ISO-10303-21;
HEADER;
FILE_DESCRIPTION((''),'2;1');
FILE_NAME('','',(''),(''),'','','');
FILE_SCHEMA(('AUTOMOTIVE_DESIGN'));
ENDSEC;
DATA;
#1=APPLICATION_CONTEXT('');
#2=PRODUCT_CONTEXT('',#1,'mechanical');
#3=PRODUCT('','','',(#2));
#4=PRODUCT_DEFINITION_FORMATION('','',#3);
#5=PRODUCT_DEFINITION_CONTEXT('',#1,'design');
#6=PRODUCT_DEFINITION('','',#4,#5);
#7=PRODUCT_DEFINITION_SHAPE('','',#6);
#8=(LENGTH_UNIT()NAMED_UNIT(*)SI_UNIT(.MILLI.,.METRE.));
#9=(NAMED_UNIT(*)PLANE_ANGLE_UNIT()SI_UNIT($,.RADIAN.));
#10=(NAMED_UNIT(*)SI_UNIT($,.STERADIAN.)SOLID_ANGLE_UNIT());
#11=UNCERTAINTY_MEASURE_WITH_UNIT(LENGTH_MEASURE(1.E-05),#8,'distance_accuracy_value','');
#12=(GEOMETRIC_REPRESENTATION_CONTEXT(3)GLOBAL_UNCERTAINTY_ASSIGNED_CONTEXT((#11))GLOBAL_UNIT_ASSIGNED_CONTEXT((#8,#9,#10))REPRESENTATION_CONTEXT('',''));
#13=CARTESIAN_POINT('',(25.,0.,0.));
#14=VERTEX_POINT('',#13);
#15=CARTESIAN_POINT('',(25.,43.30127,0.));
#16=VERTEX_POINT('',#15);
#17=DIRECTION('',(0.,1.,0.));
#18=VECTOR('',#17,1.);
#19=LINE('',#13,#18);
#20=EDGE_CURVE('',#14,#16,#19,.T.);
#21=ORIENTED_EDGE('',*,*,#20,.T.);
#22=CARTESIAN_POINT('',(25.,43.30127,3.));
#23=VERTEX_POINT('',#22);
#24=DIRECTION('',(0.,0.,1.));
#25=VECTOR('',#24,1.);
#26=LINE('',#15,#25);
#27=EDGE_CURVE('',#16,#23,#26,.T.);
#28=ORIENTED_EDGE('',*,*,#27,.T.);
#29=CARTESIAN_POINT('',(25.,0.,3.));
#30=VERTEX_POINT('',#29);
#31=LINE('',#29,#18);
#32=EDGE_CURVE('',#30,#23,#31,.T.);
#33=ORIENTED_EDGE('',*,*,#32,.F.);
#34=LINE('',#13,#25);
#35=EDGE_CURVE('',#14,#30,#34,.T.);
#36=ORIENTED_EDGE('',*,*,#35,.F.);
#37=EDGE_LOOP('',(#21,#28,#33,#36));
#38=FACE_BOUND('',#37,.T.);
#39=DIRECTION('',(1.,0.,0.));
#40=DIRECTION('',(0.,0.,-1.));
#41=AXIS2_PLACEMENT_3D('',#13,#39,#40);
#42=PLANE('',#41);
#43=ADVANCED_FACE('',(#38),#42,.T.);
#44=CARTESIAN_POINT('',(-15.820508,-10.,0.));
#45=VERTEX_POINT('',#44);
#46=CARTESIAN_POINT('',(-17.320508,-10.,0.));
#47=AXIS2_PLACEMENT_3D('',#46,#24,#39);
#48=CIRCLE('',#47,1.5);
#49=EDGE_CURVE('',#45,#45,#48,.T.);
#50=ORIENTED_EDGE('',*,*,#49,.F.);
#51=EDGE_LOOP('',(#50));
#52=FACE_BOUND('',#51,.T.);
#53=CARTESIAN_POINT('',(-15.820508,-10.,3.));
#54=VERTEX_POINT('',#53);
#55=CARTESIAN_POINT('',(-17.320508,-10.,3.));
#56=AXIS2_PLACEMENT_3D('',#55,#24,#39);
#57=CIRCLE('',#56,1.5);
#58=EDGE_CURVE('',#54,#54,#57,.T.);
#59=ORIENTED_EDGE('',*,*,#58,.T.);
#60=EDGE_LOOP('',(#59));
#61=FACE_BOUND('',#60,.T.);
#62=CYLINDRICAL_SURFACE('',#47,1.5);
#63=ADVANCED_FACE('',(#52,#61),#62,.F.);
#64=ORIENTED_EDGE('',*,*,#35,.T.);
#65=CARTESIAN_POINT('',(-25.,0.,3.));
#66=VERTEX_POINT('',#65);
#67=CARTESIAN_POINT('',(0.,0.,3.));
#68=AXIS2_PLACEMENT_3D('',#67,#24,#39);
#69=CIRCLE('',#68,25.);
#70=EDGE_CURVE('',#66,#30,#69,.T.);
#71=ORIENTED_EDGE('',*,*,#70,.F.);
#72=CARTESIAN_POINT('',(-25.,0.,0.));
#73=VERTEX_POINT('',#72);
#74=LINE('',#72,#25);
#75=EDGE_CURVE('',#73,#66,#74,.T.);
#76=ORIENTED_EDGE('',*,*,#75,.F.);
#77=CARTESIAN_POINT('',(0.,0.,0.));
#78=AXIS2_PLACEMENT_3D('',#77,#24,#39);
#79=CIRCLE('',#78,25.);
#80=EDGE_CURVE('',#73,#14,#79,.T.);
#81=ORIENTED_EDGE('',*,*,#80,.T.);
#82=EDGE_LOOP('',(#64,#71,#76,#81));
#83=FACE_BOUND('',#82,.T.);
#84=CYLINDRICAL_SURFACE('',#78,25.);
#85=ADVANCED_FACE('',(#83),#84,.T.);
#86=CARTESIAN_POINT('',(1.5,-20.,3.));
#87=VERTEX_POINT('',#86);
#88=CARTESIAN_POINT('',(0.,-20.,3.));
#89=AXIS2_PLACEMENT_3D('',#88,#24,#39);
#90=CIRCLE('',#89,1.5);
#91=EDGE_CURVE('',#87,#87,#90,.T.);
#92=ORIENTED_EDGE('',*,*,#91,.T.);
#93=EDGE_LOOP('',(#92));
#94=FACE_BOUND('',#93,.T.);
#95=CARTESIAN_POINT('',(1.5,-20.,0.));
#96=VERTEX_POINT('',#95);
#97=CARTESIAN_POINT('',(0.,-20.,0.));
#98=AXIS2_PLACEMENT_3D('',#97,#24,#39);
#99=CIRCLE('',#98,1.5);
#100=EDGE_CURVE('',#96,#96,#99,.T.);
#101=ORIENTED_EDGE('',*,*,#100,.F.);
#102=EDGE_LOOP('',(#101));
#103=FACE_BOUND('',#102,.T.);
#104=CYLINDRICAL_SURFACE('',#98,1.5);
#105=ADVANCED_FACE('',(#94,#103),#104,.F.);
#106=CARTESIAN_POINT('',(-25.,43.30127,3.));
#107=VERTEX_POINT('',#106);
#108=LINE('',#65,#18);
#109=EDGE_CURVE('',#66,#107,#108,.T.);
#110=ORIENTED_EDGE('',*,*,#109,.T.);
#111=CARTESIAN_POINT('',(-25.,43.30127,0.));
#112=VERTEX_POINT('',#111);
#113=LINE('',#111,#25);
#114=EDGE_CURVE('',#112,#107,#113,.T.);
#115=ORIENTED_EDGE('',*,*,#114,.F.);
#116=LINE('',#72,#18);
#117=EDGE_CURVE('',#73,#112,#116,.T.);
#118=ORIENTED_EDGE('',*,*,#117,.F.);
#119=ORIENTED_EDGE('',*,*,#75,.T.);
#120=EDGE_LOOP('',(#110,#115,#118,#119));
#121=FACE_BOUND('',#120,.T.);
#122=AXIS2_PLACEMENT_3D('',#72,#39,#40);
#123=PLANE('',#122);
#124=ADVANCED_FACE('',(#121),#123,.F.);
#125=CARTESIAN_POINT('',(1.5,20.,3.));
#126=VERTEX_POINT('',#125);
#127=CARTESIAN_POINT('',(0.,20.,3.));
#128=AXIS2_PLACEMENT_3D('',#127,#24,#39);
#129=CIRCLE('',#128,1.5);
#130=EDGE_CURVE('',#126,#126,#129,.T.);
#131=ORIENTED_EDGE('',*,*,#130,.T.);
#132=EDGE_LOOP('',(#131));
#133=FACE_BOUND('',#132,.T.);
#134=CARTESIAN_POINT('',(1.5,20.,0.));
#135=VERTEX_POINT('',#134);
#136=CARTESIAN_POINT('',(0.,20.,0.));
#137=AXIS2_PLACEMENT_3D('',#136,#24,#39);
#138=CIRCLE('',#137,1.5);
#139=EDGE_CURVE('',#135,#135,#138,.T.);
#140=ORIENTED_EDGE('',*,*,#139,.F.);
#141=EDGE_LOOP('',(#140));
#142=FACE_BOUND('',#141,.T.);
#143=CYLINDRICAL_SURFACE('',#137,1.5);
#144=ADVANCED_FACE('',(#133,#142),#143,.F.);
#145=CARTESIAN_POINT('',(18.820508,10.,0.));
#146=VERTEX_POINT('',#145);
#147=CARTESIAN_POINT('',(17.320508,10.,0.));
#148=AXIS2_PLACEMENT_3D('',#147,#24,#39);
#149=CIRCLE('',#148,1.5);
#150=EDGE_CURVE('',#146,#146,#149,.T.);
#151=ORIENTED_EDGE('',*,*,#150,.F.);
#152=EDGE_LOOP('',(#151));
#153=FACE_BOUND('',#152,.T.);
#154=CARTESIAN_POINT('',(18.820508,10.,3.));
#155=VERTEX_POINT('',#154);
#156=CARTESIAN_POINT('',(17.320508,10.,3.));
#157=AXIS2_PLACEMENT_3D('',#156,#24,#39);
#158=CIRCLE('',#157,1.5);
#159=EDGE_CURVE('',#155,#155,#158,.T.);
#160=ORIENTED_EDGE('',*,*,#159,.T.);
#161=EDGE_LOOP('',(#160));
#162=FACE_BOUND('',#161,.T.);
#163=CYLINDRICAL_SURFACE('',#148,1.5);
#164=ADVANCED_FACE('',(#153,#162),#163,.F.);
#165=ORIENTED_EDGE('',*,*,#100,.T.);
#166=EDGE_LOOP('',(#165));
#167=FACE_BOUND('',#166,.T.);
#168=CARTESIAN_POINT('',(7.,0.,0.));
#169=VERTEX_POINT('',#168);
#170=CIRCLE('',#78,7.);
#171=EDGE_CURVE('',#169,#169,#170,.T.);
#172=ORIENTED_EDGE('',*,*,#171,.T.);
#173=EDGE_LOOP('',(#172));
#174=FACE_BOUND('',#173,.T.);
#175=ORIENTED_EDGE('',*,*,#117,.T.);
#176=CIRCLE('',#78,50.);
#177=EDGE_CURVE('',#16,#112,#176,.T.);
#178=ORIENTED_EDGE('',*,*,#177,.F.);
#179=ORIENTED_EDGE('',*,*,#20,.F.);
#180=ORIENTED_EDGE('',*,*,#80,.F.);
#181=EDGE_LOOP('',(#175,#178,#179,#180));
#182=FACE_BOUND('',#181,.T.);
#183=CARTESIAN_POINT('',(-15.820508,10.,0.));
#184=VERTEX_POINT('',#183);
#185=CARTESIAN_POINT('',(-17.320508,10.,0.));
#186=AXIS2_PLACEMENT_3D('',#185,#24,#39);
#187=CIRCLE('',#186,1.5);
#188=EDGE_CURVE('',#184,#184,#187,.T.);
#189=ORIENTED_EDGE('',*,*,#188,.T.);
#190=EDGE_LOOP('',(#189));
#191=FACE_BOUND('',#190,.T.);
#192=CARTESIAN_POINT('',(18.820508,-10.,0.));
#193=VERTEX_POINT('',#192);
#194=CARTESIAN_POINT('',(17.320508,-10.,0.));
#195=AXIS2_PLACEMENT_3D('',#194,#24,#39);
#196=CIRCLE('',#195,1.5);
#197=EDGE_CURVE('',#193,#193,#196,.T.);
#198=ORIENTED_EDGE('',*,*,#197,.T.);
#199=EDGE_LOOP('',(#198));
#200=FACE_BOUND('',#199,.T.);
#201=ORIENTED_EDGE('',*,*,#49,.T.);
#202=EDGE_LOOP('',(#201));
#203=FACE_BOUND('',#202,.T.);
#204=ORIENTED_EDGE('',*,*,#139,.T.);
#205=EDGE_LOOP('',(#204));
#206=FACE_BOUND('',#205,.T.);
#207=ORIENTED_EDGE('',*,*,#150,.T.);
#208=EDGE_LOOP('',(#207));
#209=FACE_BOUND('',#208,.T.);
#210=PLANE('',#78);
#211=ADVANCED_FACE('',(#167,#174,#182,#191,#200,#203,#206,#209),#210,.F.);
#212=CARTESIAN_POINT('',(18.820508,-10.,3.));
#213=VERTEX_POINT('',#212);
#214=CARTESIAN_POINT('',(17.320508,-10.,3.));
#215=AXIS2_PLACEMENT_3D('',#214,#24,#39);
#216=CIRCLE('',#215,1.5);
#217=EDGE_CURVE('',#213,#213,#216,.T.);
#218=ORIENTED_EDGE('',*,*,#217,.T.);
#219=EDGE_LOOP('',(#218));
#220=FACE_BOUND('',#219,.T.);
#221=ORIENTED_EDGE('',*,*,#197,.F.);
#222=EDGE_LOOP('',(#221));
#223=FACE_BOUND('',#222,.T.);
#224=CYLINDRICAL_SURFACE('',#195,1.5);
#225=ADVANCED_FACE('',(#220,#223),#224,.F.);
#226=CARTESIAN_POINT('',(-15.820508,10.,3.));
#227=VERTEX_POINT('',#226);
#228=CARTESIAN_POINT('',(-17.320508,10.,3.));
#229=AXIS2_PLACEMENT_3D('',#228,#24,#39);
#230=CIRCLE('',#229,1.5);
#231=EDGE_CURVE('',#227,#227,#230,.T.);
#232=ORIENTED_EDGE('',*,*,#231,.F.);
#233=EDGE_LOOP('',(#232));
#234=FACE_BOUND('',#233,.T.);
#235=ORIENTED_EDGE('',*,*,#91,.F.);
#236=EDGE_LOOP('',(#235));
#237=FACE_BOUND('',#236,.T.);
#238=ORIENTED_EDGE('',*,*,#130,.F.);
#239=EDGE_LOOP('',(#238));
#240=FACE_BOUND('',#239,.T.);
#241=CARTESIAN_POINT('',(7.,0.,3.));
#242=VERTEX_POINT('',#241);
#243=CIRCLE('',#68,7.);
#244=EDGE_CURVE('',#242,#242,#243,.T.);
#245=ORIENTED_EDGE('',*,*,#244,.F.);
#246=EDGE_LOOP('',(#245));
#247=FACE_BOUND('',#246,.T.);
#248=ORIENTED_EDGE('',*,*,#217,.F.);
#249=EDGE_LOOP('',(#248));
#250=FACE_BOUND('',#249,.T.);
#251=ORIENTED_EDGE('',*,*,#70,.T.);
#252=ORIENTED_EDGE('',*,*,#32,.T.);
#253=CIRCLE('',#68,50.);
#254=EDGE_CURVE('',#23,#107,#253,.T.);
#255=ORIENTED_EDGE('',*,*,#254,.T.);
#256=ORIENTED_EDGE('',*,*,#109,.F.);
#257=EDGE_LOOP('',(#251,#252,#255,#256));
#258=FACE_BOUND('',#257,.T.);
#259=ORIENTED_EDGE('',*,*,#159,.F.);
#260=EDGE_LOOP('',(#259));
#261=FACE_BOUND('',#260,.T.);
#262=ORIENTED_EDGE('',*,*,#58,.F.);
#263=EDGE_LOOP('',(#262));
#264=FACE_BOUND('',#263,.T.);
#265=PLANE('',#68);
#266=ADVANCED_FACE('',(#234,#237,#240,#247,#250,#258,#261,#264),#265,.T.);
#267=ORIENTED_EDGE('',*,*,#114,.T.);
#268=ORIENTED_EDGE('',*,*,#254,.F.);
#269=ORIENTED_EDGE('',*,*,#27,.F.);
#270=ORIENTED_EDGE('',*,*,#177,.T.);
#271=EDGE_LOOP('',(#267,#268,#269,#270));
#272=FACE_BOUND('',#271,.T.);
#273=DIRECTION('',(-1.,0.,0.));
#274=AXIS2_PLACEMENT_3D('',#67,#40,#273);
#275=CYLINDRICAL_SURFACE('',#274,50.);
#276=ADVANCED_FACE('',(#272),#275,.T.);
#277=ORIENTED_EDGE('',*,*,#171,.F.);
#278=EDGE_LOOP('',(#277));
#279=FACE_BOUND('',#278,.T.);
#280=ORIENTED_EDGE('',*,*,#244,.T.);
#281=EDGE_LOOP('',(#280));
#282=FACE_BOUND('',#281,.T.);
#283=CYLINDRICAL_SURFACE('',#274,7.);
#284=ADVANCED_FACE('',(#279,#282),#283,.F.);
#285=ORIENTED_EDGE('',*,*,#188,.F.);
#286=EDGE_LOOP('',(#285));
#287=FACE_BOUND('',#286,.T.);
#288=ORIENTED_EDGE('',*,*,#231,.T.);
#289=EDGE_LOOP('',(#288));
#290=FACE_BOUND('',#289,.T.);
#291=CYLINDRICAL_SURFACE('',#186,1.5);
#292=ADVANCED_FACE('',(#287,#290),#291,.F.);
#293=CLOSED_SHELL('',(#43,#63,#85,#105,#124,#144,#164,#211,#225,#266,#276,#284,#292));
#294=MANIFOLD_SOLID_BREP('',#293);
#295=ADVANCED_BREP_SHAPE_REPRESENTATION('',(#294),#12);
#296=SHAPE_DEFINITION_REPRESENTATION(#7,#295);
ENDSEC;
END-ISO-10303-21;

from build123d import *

# Parameters (mm, degrees)
ESQUISSE1_R             = 50
ESQUISSE1_R_2           = 7
BOSS_EXTRU_1_DEPTH      = 3
ESQUISSE2_R             = 1.5
ENL_V_MAT_EXTRU_1_DEPTH = 71.774289117


with BuildPart() as part:
    # Esquisse1 → Boss.-Extru.1 (new body)
    with BuildSketch(Plane.XY):
        Circle(ESQUISSE1_R)
        Circle(ESQUISSE1_R_2, mode=Mode.SUBTRACT)
    extrude(amount=BOSS_EXTRU_1_DEPTH)

    # Esquisse2 → Enlèv. mat.-Extru.1 (cut, through all)
    with BuildSketch(Plane.XY.offset(3)):
        with BuildLine():
            Line((25, 43.301270189), (25, 0))
            ThreePointArc((25, 0), (0, -25), (-25, 0))
            Line((-25, 0), (-25, 43.301270189))
            ThreePointArc((-25, 43.301270189), (0, -50), (25, 43.301270189))
        make_face()
        with Locations((0, 20)):
            Circle(ESQUISSE2_R)
        with Locations((17.320508076, 10)):
            Circle(ESQUISSE2_R)
        with Locations((17.320508076, -10)):
            Circle(ESQUISSE2_R)
        with Locations((0, -20)):
            Circle(ESQUISSE2_R)
        with Locations((-17.320508076, -10)):
            Circle(ESQUISSE2_R)
        with Locations((-17.320508076, 10)):
            Circle(ESQUISSE2_R)
    extrude(amount=-ENL_V_MAT_EXTRU_1_DEPTH, mode=Mode.SUBTRACT)


solid = part.part
